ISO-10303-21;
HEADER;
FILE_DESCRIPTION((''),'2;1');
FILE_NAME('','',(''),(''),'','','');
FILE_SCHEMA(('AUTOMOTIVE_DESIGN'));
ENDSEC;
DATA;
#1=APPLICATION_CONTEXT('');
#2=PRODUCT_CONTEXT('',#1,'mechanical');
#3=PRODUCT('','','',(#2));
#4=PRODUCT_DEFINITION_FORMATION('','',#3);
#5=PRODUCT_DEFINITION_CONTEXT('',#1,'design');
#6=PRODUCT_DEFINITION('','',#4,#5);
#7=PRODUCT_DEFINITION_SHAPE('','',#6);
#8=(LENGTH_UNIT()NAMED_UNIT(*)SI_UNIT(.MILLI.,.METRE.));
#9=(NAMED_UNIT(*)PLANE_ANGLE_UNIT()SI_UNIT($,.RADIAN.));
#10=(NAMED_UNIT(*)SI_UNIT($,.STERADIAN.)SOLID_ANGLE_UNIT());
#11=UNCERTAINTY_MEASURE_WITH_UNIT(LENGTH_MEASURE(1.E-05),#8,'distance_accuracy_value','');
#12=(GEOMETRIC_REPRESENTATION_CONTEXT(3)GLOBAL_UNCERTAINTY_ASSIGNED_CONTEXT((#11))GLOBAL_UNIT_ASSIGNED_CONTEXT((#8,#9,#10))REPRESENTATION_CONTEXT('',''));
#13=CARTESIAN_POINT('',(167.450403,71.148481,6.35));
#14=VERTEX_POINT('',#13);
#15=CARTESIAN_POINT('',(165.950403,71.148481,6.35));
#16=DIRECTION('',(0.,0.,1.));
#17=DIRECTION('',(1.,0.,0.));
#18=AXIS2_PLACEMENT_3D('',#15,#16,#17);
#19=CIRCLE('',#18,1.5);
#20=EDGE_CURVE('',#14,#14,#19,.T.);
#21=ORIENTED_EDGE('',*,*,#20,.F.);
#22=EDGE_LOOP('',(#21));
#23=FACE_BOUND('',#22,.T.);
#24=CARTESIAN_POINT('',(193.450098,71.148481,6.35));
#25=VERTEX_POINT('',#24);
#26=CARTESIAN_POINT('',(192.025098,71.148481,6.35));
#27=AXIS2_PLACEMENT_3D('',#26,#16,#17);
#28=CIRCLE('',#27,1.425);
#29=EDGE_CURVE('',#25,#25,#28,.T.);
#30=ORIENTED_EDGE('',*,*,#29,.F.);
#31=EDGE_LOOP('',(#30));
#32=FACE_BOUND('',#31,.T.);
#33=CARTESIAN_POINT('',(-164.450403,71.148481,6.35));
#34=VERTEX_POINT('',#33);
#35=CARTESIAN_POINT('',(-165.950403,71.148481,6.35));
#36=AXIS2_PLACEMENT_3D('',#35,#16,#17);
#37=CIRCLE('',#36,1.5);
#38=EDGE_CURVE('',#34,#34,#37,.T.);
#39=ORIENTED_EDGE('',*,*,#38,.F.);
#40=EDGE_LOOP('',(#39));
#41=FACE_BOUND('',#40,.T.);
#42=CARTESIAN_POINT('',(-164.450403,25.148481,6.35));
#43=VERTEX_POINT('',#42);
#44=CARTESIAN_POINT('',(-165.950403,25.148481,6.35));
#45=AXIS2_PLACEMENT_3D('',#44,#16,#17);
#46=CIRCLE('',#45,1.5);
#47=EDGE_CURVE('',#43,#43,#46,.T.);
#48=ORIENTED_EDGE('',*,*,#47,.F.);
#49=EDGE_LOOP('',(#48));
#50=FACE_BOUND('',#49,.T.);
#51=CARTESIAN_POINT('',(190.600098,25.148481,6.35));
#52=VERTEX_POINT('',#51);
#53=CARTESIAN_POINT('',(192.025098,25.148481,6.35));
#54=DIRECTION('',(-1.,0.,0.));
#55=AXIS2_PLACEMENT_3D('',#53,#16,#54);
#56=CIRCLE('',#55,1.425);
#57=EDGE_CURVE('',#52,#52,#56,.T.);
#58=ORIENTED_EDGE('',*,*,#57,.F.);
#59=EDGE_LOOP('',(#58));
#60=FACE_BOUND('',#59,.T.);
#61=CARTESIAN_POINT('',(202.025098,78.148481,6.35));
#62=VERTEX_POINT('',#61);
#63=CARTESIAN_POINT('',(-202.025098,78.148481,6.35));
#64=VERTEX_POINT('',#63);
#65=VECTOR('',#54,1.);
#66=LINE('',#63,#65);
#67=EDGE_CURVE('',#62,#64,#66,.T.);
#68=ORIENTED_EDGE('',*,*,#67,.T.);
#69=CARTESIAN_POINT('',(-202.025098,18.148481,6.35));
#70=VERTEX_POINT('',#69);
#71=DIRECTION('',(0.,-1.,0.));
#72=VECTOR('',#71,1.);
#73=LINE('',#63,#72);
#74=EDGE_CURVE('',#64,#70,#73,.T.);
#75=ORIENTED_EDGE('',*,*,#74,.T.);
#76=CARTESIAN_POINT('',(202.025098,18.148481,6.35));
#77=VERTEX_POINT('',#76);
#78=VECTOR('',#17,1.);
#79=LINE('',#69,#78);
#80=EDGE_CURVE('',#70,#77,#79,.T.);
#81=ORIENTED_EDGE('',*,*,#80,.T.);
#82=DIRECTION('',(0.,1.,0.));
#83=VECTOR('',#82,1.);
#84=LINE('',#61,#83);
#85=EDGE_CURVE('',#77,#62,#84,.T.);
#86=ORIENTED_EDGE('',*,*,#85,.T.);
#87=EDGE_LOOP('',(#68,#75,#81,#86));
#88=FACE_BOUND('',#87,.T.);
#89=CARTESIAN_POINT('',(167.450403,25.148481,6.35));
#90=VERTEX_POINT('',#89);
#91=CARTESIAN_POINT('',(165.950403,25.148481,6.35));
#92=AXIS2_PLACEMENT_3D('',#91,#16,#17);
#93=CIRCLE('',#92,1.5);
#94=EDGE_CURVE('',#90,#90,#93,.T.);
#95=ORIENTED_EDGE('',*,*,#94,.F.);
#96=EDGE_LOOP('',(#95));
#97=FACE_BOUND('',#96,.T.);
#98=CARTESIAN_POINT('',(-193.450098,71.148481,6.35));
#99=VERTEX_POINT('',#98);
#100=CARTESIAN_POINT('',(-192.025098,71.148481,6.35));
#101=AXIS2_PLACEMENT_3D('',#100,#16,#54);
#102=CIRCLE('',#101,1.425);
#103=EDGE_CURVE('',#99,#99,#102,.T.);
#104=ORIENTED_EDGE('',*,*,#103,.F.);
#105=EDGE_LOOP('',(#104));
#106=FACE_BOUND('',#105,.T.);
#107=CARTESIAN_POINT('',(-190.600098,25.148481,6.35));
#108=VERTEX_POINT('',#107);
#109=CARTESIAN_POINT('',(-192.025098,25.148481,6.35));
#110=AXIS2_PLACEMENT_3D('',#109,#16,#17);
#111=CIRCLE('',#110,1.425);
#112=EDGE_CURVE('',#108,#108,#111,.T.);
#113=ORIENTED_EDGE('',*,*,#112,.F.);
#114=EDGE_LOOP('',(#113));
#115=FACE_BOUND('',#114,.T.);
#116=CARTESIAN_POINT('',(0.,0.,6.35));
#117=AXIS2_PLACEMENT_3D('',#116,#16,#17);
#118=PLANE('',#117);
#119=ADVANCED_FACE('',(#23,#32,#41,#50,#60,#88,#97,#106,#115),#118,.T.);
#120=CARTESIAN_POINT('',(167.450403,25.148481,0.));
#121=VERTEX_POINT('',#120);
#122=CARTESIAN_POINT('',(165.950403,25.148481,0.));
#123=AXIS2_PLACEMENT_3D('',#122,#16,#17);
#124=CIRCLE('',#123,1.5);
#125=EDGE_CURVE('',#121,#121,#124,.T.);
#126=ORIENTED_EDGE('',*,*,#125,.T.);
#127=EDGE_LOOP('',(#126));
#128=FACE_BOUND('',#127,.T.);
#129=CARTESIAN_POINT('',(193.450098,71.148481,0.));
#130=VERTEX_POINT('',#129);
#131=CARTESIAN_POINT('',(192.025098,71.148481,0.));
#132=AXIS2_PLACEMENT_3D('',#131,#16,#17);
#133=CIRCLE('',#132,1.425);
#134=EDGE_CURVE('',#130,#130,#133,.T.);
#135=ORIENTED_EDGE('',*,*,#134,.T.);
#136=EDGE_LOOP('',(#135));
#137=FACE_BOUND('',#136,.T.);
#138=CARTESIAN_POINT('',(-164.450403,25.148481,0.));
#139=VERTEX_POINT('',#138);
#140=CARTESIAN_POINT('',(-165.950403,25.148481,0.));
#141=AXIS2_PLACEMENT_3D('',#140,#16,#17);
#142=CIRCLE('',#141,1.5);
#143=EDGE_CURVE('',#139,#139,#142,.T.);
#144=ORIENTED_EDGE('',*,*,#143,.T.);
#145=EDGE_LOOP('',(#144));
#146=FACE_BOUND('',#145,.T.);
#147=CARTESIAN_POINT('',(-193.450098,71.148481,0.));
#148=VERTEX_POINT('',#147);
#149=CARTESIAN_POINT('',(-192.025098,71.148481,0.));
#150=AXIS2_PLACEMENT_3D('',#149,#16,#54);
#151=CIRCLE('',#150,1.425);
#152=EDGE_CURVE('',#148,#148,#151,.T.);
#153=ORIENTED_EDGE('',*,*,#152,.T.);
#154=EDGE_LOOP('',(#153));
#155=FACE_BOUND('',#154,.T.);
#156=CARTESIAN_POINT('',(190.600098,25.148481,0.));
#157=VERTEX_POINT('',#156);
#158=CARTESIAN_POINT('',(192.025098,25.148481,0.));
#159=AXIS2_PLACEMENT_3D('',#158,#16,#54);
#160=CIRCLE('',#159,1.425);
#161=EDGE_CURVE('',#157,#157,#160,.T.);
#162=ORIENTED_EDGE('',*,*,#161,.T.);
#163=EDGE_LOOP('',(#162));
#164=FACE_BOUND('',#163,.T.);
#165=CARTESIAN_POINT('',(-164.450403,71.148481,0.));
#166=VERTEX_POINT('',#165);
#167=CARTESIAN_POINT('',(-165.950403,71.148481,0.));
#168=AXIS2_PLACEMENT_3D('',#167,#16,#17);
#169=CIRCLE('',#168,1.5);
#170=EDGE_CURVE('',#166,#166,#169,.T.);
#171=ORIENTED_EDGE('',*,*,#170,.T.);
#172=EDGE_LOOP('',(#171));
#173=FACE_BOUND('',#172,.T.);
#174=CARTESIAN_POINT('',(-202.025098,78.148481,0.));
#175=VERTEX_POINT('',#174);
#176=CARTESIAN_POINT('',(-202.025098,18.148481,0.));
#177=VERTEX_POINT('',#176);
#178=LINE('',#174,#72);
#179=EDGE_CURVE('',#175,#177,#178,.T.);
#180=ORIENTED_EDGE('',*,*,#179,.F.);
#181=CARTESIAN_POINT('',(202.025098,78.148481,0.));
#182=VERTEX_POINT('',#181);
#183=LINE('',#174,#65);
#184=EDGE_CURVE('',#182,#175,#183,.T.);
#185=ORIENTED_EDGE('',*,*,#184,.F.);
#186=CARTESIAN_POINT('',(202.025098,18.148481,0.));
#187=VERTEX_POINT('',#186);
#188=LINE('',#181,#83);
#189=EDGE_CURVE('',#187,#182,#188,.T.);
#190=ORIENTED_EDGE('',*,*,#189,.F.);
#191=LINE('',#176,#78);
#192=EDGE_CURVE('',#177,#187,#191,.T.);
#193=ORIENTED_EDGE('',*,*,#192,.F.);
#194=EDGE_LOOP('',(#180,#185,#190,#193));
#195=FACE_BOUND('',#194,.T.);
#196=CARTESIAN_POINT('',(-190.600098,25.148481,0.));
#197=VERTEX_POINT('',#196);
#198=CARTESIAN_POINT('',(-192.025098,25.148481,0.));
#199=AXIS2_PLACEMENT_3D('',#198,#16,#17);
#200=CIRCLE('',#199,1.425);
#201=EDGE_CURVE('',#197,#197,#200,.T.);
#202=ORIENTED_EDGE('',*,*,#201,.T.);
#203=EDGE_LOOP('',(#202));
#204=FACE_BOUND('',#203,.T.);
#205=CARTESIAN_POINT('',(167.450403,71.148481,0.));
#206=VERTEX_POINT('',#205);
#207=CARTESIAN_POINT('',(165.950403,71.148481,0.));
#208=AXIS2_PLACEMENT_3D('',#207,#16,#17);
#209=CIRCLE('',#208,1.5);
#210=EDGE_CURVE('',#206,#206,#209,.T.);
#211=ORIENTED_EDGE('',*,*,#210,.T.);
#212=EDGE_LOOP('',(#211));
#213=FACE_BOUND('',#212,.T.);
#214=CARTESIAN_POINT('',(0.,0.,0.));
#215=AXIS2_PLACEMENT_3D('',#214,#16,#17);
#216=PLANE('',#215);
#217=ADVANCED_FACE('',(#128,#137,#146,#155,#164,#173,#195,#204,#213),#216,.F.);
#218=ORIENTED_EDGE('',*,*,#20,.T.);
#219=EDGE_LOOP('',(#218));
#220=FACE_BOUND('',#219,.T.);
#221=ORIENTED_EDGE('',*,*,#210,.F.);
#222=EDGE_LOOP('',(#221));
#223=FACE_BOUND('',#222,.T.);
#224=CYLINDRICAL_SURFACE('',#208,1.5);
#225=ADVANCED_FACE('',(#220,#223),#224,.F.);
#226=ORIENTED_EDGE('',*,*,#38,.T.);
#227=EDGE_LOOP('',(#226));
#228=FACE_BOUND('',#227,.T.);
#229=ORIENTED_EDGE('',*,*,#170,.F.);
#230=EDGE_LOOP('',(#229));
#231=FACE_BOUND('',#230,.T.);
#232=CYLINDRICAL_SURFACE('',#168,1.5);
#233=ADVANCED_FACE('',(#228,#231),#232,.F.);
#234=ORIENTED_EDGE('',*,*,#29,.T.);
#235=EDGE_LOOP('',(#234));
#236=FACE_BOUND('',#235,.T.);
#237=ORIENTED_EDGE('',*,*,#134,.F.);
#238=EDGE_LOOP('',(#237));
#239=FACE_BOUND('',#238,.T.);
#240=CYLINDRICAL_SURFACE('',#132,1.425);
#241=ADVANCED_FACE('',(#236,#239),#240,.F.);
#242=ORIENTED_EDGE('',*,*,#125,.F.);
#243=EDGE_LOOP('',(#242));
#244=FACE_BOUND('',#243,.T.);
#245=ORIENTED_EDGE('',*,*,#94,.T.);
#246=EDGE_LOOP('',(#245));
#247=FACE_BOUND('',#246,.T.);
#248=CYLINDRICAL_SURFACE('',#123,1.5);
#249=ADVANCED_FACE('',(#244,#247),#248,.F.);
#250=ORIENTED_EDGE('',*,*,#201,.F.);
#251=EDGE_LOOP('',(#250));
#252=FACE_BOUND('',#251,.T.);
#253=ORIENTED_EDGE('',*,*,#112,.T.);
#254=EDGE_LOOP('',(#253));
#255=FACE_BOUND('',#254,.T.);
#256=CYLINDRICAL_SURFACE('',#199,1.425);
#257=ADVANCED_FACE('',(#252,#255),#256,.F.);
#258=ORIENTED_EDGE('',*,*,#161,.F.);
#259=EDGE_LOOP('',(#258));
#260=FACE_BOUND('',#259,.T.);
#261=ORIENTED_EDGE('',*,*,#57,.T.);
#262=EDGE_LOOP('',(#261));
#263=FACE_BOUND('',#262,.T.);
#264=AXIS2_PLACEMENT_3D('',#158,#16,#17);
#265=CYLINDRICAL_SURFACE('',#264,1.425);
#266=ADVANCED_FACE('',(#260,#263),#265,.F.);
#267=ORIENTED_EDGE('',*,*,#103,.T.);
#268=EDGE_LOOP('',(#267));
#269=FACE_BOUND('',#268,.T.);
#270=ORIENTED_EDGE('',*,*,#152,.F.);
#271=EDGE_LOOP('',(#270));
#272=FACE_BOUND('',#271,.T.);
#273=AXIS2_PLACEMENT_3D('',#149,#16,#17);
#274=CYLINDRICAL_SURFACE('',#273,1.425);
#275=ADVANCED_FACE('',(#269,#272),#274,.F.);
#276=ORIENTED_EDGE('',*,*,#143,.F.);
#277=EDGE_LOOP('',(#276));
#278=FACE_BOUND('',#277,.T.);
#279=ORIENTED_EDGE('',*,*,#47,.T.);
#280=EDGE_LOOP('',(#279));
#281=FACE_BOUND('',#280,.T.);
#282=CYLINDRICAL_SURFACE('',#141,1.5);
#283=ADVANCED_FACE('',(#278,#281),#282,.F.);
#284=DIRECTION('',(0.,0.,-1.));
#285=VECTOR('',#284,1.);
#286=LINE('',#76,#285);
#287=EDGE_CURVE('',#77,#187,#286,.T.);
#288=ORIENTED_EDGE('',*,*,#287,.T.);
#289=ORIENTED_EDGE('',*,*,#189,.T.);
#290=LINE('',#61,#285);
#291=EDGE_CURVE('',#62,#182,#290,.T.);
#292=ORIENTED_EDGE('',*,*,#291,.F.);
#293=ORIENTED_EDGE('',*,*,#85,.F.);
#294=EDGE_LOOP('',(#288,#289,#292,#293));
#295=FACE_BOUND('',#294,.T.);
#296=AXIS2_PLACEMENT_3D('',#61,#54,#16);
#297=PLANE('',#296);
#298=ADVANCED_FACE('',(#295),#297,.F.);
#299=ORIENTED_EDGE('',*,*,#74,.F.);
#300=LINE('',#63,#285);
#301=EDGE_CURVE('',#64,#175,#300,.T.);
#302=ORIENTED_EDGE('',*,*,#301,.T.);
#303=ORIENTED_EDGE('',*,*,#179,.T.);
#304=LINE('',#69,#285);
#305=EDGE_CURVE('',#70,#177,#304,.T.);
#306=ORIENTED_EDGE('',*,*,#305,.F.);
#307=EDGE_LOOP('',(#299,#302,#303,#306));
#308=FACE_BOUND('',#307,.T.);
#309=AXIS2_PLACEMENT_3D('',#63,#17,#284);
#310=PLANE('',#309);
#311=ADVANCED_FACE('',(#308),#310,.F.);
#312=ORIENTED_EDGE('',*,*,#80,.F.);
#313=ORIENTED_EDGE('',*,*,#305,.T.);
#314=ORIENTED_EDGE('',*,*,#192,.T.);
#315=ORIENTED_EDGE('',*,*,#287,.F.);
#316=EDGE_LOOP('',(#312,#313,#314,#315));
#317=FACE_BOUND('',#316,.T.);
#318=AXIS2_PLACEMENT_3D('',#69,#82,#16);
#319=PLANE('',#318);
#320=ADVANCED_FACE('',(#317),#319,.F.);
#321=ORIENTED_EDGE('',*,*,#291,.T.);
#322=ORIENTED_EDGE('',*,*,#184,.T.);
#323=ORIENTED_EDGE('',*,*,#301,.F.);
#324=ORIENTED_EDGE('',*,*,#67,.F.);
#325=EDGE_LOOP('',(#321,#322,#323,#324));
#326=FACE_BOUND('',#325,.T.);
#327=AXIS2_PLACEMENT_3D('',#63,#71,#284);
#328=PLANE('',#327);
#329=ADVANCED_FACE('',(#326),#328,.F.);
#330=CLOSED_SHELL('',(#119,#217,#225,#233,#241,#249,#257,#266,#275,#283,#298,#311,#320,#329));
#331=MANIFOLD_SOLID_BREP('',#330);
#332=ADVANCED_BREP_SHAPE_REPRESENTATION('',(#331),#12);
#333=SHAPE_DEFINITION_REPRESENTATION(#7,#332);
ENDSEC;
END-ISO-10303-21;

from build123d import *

# Parameters (mm, degrees)
SKETCH1_W           = 404.0501952
SKETCH1_H           = 60
BOSS_EXTRUDE1_DEPTH = 6.35
SKETCH3_R           = 1.5
SKETCH3_R_2         = 1.425
CUT_EXTRUDE1_DEPTH  = 7.35


with BuildPart() as part:
    # Sketch1 → Boss-Extrude1 (new body)
    with BuildSketch(Plane.XY):
        with Locations((0, 48.148481108)):
            Rectangle(SKETCH1_W, SKETCH1_H)
    extrude(amount=BOSS_EXTRUDE1_DEPTH)

    # Sketch3 → Cut-Extrude1 (cut, through all)
    with BuildSketch(Plane.XY.offset(6.35)):
        with Locations((-165.950402598, 25.148481108)):
            Circle(SKETCH3_R)
        with Locations((-165.950402598, 71.148481108)):
            Circle(SKETCH3_R)
        with Locations((165.950402598, 25.148481108)):
            Circle(SKETCH3_R)
        with Locations((165.950402598, 71.148481108)):
            Circle(SKETCH3_R)
        with Locations((192.0250976, 71.148481108)):
            Circle(SKETCH3_R_2)
        with Locations((192.0250976, 25.148481108)):
            Circle(SKETCH3_R_2)
        with Locations((-192.0250976, 25.148481108)):
            Circle(SKETCH3_R_2)
        with Locations((-192.0250976, 71.148481108)):
            Circle(SKETCH3_R_2)
    extrude(amount=-CUT_EXTRUDE1_DEPTH, mode=Mode.SUBTRACT)


solid = part.part
